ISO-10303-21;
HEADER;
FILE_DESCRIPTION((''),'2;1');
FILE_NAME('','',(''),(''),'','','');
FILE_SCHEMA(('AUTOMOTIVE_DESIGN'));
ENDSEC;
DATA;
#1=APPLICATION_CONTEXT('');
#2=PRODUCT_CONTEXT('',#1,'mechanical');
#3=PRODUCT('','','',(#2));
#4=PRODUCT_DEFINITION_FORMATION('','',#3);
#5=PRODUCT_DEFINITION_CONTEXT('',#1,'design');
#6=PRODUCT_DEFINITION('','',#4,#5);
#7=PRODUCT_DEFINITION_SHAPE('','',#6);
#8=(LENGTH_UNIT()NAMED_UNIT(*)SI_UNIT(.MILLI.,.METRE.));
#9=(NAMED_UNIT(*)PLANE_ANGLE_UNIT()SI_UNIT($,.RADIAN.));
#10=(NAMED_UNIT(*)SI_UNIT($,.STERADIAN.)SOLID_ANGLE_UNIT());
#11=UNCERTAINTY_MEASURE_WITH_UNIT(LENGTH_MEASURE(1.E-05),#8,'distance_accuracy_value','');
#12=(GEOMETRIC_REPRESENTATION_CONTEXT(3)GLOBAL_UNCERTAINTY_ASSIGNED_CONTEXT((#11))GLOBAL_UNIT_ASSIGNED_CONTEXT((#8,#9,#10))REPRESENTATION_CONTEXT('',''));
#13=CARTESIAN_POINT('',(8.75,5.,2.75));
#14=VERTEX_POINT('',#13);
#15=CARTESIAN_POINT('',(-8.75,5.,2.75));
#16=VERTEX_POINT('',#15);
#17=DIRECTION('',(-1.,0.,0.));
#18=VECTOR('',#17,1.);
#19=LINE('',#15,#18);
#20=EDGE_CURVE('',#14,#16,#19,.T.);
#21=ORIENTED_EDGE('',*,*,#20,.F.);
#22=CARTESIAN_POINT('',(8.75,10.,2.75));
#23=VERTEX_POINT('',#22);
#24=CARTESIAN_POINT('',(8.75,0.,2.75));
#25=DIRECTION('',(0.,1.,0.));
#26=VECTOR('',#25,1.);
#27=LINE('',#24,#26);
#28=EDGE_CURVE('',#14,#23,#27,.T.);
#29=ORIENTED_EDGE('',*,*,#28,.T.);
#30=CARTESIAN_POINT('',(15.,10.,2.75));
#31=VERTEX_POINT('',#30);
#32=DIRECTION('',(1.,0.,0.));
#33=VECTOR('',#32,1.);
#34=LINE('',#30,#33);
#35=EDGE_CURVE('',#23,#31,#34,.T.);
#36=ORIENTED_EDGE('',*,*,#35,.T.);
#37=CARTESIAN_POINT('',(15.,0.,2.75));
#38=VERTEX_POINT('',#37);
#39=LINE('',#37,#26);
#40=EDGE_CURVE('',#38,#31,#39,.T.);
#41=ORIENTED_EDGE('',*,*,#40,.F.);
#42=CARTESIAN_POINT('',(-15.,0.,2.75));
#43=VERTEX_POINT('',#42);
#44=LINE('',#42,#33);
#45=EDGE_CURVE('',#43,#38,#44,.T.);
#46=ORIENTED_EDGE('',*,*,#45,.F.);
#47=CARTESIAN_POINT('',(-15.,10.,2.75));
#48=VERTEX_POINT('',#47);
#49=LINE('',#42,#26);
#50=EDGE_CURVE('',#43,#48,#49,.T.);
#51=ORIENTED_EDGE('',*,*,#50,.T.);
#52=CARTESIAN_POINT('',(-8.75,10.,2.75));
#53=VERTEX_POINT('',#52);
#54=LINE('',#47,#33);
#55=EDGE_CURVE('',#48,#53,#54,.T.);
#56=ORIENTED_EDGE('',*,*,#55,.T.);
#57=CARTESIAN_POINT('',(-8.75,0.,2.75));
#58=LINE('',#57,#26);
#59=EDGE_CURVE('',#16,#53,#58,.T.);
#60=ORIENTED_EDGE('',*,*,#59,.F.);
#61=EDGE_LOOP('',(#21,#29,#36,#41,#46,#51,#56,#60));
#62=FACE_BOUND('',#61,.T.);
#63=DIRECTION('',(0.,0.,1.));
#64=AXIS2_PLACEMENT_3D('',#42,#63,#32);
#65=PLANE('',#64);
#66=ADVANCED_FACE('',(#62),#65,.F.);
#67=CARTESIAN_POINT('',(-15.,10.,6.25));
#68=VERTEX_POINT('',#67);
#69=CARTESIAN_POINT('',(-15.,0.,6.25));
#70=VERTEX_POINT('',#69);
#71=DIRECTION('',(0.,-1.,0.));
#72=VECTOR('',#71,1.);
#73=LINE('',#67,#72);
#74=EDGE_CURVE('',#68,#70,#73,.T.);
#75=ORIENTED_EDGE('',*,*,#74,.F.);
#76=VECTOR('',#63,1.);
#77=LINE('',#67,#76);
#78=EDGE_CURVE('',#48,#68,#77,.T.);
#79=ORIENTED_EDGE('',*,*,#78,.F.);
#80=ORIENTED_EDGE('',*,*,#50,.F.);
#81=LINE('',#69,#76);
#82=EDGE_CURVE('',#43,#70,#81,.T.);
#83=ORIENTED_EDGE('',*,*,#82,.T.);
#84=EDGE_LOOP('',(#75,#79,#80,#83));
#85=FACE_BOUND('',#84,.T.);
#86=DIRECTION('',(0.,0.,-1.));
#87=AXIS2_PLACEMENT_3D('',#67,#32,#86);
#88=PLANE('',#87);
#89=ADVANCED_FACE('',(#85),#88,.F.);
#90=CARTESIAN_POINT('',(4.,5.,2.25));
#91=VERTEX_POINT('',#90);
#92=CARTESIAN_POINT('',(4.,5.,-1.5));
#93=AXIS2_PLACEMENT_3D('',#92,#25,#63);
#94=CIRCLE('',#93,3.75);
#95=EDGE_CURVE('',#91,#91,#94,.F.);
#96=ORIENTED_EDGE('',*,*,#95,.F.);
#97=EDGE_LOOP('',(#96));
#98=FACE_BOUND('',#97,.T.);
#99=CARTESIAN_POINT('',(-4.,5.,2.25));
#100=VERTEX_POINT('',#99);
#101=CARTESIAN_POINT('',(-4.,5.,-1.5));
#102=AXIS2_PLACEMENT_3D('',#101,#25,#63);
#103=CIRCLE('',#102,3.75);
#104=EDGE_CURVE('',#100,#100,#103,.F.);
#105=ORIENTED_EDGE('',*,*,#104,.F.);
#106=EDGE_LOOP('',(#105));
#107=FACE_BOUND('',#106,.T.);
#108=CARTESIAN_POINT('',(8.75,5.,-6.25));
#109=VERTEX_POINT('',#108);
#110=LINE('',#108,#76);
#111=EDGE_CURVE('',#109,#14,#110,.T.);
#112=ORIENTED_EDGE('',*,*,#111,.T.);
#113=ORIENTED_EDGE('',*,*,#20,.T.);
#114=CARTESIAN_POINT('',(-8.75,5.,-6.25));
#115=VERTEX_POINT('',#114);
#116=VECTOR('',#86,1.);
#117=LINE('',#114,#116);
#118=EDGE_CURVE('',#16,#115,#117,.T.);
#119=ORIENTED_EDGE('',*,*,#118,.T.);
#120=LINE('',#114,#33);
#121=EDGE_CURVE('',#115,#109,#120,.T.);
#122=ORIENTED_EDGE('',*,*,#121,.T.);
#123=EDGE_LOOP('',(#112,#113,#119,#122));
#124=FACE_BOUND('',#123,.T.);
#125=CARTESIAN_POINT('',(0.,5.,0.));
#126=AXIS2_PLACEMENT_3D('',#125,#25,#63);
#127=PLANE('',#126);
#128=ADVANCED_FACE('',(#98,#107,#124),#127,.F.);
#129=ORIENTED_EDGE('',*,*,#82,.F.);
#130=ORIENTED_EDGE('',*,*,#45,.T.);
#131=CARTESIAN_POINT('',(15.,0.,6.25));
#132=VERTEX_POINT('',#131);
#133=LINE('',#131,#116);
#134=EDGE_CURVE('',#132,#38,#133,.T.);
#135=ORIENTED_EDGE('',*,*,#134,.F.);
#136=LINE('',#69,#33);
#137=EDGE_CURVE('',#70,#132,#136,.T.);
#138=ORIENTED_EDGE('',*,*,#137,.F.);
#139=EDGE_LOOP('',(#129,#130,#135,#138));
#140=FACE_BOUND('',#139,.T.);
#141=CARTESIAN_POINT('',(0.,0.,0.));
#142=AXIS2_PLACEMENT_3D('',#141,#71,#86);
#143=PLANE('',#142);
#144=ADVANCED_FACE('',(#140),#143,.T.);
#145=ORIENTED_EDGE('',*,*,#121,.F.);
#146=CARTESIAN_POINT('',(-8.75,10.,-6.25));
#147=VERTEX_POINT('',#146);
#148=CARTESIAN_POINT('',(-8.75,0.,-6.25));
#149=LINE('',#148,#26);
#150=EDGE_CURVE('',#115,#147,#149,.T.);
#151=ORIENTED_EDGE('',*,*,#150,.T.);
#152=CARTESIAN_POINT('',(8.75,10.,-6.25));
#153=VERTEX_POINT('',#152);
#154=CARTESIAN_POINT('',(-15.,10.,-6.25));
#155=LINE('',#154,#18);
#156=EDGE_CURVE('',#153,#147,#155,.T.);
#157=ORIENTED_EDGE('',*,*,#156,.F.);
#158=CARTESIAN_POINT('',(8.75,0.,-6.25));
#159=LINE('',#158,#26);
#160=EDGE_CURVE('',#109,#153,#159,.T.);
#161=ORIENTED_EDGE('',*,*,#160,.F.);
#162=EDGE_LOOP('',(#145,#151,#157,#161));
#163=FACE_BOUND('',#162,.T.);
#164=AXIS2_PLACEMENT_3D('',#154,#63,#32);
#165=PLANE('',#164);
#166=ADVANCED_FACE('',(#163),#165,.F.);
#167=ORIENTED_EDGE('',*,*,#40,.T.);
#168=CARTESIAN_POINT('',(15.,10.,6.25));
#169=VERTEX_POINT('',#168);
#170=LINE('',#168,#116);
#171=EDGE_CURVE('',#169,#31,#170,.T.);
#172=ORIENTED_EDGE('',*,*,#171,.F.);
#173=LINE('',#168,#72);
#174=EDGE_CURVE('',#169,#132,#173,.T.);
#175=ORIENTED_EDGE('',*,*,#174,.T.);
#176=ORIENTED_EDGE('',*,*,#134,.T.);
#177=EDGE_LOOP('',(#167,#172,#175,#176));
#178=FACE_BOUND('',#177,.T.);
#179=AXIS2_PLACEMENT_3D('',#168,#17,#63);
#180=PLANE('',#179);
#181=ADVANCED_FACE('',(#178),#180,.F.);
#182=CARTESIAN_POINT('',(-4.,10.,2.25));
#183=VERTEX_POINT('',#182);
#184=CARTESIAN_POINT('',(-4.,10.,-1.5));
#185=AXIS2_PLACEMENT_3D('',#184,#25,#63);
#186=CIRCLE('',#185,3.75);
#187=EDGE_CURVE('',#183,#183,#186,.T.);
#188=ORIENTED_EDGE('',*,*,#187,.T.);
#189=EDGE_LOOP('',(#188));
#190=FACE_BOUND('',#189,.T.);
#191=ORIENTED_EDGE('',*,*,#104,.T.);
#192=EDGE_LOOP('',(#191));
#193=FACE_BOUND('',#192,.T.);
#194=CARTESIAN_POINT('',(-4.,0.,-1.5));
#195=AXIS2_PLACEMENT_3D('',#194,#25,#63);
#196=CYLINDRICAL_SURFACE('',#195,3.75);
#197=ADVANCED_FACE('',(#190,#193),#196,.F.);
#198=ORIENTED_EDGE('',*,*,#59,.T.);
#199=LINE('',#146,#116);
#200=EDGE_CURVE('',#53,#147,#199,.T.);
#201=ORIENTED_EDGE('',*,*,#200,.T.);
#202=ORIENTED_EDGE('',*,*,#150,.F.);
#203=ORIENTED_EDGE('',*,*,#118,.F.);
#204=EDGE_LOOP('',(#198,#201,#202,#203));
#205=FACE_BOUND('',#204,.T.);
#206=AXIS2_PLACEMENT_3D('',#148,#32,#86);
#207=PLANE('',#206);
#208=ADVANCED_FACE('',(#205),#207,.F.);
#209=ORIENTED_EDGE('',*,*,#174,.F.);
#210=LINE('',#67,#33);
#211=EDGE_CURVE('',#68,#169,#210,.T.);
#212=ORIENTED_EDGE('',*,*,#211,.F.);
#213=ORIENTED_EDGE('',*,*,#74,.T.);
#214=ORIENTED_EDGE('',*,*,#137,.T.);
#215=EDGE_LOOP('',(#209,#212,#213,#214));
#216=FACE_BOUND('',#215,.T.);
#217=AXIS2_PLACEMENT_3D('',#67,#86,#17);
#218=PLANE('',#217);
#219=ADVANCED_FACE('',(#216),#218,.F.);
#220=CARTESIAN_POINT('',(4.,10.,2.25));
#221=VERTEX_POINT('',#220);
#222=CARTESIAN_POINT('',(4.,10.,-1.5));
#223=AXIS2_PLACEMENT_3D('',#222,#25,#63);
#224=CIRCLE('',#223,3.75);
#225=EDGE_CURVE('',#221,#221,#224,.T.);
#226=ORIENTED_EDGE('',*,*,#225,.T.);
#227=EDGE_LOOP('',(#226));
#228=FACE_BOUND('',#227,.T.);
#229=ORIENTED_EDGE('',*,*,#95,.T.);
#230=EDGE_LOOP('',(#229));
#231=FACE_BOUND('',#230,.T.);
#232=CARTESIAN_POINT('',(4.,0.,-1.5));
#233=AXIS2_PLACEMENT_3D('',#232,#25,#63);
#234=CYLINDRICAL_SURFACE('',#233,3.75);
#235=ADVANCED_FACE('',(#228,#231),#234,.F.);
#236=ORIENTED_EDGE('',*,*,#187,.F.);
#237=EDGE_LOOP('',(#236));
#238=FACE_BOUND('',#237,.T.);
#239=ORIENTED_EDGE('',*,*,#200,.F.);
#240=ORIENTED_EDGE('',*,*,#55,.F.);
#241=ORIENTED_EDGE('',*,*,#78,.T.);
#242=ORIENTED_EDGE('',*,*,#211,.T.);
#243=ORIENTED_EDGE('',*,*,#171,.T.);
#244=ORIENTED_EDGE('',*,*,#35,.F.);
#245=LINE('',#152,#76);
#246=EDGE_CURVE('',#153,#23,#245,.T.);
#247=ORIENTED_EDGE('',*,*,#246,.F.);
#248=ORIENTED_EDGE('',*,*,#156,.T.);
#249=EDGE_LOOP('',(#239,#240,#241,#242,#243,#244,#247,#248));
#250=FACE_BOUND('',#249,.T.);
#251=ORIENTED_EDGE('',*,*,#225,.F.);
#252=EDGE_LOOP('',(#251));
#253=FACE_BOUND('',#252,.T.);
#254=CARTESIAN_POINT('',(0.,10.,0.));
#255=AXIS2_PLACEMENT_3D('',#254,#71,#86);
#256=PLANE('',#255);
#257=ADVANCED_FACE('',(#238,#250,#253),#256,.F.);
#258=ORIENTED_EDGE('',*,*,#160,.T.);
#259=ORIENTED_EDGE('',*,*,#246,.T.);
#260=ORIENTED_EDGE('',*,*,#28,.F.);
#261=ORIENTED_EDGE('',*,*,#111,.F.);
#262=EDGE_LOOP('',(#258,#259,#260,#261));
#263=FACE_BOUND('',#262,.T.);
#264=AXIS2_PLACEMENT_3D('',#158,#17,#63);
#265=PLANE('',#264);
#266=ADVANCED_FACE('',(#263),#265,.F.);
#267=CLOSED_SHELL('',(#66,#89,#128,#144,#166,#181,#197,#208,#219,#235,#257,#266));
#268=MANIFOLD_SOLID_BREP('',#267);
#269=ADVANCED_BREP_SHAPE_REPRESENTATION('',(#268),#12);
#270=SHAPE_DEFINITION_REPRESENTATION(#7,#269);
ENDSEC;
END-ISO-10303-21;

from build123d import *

# Parameters (mm, degrees)
SKETCH3_W           = 30
SKETCH3_H           = 12.5
BOSS_EXTRUDE1_DEPTH = 10
SKETCH6_R           = 3.75
SKETCH6_W           = 6.25
SKETCH6_H           = 9
CUT_EXTRUDE2_DEPTH  = 10
SKETCH8_W           = 17.5
SKETCH8_H           = 9
CUT_EXTRUDE4_DEPTH  = 5


with BuildPart() as part:
    # Sketch3 → Boss-Extrude1 (new body)
    with BuildSketch(Plane(origin=(0, 0, 0), x_dir=(1, 0, 0), z_dir=(0, 1, 0))):
        Rectangle(SKETCH3_W, SKETCH3_H)
    extrude(amount=BOSS_EXTRUDE1_DEPTH)

    # Sketch6 → Cut-Extrude2 (cut)
    with BuildSketch(Plane(origin=(0, 10, 0), x_dir=(1, 0, 0), z_dir=(0, 1, 0))):
        with Locations(Location((-4, 1.5, 0), (0, 0, 270))):
            Circle(SKETCH6_R)
        with Locations(Location((4, 1.5, 0), (0, 0, 270))):
            Circle(SKETCH6_R)
        with Locations((-11.875, 1.75)):
            Rectangle(SKETCH6_W, SKETCH6_H)
        with Locations((11.875, 1.75)):
            Rectangle(SKETCH6_W, SKETCH6_H)
    extrude(amount=-CUT_EXTRUDE2_DEPTH, mode=Mode.SUBTRACT)

    # Sketch8 → Cut-Extrude4 (cut)
    with BuildSketch(Plane.XZ):
        with Locations((0, -1.75)):
            Rectangle(SKETCH8_W, SKETCH8_H)
    extrude(amount=-CUT_EXTRUDE4_DEPTH, mode=Mode.SUBTRACT)


solid = part.part
